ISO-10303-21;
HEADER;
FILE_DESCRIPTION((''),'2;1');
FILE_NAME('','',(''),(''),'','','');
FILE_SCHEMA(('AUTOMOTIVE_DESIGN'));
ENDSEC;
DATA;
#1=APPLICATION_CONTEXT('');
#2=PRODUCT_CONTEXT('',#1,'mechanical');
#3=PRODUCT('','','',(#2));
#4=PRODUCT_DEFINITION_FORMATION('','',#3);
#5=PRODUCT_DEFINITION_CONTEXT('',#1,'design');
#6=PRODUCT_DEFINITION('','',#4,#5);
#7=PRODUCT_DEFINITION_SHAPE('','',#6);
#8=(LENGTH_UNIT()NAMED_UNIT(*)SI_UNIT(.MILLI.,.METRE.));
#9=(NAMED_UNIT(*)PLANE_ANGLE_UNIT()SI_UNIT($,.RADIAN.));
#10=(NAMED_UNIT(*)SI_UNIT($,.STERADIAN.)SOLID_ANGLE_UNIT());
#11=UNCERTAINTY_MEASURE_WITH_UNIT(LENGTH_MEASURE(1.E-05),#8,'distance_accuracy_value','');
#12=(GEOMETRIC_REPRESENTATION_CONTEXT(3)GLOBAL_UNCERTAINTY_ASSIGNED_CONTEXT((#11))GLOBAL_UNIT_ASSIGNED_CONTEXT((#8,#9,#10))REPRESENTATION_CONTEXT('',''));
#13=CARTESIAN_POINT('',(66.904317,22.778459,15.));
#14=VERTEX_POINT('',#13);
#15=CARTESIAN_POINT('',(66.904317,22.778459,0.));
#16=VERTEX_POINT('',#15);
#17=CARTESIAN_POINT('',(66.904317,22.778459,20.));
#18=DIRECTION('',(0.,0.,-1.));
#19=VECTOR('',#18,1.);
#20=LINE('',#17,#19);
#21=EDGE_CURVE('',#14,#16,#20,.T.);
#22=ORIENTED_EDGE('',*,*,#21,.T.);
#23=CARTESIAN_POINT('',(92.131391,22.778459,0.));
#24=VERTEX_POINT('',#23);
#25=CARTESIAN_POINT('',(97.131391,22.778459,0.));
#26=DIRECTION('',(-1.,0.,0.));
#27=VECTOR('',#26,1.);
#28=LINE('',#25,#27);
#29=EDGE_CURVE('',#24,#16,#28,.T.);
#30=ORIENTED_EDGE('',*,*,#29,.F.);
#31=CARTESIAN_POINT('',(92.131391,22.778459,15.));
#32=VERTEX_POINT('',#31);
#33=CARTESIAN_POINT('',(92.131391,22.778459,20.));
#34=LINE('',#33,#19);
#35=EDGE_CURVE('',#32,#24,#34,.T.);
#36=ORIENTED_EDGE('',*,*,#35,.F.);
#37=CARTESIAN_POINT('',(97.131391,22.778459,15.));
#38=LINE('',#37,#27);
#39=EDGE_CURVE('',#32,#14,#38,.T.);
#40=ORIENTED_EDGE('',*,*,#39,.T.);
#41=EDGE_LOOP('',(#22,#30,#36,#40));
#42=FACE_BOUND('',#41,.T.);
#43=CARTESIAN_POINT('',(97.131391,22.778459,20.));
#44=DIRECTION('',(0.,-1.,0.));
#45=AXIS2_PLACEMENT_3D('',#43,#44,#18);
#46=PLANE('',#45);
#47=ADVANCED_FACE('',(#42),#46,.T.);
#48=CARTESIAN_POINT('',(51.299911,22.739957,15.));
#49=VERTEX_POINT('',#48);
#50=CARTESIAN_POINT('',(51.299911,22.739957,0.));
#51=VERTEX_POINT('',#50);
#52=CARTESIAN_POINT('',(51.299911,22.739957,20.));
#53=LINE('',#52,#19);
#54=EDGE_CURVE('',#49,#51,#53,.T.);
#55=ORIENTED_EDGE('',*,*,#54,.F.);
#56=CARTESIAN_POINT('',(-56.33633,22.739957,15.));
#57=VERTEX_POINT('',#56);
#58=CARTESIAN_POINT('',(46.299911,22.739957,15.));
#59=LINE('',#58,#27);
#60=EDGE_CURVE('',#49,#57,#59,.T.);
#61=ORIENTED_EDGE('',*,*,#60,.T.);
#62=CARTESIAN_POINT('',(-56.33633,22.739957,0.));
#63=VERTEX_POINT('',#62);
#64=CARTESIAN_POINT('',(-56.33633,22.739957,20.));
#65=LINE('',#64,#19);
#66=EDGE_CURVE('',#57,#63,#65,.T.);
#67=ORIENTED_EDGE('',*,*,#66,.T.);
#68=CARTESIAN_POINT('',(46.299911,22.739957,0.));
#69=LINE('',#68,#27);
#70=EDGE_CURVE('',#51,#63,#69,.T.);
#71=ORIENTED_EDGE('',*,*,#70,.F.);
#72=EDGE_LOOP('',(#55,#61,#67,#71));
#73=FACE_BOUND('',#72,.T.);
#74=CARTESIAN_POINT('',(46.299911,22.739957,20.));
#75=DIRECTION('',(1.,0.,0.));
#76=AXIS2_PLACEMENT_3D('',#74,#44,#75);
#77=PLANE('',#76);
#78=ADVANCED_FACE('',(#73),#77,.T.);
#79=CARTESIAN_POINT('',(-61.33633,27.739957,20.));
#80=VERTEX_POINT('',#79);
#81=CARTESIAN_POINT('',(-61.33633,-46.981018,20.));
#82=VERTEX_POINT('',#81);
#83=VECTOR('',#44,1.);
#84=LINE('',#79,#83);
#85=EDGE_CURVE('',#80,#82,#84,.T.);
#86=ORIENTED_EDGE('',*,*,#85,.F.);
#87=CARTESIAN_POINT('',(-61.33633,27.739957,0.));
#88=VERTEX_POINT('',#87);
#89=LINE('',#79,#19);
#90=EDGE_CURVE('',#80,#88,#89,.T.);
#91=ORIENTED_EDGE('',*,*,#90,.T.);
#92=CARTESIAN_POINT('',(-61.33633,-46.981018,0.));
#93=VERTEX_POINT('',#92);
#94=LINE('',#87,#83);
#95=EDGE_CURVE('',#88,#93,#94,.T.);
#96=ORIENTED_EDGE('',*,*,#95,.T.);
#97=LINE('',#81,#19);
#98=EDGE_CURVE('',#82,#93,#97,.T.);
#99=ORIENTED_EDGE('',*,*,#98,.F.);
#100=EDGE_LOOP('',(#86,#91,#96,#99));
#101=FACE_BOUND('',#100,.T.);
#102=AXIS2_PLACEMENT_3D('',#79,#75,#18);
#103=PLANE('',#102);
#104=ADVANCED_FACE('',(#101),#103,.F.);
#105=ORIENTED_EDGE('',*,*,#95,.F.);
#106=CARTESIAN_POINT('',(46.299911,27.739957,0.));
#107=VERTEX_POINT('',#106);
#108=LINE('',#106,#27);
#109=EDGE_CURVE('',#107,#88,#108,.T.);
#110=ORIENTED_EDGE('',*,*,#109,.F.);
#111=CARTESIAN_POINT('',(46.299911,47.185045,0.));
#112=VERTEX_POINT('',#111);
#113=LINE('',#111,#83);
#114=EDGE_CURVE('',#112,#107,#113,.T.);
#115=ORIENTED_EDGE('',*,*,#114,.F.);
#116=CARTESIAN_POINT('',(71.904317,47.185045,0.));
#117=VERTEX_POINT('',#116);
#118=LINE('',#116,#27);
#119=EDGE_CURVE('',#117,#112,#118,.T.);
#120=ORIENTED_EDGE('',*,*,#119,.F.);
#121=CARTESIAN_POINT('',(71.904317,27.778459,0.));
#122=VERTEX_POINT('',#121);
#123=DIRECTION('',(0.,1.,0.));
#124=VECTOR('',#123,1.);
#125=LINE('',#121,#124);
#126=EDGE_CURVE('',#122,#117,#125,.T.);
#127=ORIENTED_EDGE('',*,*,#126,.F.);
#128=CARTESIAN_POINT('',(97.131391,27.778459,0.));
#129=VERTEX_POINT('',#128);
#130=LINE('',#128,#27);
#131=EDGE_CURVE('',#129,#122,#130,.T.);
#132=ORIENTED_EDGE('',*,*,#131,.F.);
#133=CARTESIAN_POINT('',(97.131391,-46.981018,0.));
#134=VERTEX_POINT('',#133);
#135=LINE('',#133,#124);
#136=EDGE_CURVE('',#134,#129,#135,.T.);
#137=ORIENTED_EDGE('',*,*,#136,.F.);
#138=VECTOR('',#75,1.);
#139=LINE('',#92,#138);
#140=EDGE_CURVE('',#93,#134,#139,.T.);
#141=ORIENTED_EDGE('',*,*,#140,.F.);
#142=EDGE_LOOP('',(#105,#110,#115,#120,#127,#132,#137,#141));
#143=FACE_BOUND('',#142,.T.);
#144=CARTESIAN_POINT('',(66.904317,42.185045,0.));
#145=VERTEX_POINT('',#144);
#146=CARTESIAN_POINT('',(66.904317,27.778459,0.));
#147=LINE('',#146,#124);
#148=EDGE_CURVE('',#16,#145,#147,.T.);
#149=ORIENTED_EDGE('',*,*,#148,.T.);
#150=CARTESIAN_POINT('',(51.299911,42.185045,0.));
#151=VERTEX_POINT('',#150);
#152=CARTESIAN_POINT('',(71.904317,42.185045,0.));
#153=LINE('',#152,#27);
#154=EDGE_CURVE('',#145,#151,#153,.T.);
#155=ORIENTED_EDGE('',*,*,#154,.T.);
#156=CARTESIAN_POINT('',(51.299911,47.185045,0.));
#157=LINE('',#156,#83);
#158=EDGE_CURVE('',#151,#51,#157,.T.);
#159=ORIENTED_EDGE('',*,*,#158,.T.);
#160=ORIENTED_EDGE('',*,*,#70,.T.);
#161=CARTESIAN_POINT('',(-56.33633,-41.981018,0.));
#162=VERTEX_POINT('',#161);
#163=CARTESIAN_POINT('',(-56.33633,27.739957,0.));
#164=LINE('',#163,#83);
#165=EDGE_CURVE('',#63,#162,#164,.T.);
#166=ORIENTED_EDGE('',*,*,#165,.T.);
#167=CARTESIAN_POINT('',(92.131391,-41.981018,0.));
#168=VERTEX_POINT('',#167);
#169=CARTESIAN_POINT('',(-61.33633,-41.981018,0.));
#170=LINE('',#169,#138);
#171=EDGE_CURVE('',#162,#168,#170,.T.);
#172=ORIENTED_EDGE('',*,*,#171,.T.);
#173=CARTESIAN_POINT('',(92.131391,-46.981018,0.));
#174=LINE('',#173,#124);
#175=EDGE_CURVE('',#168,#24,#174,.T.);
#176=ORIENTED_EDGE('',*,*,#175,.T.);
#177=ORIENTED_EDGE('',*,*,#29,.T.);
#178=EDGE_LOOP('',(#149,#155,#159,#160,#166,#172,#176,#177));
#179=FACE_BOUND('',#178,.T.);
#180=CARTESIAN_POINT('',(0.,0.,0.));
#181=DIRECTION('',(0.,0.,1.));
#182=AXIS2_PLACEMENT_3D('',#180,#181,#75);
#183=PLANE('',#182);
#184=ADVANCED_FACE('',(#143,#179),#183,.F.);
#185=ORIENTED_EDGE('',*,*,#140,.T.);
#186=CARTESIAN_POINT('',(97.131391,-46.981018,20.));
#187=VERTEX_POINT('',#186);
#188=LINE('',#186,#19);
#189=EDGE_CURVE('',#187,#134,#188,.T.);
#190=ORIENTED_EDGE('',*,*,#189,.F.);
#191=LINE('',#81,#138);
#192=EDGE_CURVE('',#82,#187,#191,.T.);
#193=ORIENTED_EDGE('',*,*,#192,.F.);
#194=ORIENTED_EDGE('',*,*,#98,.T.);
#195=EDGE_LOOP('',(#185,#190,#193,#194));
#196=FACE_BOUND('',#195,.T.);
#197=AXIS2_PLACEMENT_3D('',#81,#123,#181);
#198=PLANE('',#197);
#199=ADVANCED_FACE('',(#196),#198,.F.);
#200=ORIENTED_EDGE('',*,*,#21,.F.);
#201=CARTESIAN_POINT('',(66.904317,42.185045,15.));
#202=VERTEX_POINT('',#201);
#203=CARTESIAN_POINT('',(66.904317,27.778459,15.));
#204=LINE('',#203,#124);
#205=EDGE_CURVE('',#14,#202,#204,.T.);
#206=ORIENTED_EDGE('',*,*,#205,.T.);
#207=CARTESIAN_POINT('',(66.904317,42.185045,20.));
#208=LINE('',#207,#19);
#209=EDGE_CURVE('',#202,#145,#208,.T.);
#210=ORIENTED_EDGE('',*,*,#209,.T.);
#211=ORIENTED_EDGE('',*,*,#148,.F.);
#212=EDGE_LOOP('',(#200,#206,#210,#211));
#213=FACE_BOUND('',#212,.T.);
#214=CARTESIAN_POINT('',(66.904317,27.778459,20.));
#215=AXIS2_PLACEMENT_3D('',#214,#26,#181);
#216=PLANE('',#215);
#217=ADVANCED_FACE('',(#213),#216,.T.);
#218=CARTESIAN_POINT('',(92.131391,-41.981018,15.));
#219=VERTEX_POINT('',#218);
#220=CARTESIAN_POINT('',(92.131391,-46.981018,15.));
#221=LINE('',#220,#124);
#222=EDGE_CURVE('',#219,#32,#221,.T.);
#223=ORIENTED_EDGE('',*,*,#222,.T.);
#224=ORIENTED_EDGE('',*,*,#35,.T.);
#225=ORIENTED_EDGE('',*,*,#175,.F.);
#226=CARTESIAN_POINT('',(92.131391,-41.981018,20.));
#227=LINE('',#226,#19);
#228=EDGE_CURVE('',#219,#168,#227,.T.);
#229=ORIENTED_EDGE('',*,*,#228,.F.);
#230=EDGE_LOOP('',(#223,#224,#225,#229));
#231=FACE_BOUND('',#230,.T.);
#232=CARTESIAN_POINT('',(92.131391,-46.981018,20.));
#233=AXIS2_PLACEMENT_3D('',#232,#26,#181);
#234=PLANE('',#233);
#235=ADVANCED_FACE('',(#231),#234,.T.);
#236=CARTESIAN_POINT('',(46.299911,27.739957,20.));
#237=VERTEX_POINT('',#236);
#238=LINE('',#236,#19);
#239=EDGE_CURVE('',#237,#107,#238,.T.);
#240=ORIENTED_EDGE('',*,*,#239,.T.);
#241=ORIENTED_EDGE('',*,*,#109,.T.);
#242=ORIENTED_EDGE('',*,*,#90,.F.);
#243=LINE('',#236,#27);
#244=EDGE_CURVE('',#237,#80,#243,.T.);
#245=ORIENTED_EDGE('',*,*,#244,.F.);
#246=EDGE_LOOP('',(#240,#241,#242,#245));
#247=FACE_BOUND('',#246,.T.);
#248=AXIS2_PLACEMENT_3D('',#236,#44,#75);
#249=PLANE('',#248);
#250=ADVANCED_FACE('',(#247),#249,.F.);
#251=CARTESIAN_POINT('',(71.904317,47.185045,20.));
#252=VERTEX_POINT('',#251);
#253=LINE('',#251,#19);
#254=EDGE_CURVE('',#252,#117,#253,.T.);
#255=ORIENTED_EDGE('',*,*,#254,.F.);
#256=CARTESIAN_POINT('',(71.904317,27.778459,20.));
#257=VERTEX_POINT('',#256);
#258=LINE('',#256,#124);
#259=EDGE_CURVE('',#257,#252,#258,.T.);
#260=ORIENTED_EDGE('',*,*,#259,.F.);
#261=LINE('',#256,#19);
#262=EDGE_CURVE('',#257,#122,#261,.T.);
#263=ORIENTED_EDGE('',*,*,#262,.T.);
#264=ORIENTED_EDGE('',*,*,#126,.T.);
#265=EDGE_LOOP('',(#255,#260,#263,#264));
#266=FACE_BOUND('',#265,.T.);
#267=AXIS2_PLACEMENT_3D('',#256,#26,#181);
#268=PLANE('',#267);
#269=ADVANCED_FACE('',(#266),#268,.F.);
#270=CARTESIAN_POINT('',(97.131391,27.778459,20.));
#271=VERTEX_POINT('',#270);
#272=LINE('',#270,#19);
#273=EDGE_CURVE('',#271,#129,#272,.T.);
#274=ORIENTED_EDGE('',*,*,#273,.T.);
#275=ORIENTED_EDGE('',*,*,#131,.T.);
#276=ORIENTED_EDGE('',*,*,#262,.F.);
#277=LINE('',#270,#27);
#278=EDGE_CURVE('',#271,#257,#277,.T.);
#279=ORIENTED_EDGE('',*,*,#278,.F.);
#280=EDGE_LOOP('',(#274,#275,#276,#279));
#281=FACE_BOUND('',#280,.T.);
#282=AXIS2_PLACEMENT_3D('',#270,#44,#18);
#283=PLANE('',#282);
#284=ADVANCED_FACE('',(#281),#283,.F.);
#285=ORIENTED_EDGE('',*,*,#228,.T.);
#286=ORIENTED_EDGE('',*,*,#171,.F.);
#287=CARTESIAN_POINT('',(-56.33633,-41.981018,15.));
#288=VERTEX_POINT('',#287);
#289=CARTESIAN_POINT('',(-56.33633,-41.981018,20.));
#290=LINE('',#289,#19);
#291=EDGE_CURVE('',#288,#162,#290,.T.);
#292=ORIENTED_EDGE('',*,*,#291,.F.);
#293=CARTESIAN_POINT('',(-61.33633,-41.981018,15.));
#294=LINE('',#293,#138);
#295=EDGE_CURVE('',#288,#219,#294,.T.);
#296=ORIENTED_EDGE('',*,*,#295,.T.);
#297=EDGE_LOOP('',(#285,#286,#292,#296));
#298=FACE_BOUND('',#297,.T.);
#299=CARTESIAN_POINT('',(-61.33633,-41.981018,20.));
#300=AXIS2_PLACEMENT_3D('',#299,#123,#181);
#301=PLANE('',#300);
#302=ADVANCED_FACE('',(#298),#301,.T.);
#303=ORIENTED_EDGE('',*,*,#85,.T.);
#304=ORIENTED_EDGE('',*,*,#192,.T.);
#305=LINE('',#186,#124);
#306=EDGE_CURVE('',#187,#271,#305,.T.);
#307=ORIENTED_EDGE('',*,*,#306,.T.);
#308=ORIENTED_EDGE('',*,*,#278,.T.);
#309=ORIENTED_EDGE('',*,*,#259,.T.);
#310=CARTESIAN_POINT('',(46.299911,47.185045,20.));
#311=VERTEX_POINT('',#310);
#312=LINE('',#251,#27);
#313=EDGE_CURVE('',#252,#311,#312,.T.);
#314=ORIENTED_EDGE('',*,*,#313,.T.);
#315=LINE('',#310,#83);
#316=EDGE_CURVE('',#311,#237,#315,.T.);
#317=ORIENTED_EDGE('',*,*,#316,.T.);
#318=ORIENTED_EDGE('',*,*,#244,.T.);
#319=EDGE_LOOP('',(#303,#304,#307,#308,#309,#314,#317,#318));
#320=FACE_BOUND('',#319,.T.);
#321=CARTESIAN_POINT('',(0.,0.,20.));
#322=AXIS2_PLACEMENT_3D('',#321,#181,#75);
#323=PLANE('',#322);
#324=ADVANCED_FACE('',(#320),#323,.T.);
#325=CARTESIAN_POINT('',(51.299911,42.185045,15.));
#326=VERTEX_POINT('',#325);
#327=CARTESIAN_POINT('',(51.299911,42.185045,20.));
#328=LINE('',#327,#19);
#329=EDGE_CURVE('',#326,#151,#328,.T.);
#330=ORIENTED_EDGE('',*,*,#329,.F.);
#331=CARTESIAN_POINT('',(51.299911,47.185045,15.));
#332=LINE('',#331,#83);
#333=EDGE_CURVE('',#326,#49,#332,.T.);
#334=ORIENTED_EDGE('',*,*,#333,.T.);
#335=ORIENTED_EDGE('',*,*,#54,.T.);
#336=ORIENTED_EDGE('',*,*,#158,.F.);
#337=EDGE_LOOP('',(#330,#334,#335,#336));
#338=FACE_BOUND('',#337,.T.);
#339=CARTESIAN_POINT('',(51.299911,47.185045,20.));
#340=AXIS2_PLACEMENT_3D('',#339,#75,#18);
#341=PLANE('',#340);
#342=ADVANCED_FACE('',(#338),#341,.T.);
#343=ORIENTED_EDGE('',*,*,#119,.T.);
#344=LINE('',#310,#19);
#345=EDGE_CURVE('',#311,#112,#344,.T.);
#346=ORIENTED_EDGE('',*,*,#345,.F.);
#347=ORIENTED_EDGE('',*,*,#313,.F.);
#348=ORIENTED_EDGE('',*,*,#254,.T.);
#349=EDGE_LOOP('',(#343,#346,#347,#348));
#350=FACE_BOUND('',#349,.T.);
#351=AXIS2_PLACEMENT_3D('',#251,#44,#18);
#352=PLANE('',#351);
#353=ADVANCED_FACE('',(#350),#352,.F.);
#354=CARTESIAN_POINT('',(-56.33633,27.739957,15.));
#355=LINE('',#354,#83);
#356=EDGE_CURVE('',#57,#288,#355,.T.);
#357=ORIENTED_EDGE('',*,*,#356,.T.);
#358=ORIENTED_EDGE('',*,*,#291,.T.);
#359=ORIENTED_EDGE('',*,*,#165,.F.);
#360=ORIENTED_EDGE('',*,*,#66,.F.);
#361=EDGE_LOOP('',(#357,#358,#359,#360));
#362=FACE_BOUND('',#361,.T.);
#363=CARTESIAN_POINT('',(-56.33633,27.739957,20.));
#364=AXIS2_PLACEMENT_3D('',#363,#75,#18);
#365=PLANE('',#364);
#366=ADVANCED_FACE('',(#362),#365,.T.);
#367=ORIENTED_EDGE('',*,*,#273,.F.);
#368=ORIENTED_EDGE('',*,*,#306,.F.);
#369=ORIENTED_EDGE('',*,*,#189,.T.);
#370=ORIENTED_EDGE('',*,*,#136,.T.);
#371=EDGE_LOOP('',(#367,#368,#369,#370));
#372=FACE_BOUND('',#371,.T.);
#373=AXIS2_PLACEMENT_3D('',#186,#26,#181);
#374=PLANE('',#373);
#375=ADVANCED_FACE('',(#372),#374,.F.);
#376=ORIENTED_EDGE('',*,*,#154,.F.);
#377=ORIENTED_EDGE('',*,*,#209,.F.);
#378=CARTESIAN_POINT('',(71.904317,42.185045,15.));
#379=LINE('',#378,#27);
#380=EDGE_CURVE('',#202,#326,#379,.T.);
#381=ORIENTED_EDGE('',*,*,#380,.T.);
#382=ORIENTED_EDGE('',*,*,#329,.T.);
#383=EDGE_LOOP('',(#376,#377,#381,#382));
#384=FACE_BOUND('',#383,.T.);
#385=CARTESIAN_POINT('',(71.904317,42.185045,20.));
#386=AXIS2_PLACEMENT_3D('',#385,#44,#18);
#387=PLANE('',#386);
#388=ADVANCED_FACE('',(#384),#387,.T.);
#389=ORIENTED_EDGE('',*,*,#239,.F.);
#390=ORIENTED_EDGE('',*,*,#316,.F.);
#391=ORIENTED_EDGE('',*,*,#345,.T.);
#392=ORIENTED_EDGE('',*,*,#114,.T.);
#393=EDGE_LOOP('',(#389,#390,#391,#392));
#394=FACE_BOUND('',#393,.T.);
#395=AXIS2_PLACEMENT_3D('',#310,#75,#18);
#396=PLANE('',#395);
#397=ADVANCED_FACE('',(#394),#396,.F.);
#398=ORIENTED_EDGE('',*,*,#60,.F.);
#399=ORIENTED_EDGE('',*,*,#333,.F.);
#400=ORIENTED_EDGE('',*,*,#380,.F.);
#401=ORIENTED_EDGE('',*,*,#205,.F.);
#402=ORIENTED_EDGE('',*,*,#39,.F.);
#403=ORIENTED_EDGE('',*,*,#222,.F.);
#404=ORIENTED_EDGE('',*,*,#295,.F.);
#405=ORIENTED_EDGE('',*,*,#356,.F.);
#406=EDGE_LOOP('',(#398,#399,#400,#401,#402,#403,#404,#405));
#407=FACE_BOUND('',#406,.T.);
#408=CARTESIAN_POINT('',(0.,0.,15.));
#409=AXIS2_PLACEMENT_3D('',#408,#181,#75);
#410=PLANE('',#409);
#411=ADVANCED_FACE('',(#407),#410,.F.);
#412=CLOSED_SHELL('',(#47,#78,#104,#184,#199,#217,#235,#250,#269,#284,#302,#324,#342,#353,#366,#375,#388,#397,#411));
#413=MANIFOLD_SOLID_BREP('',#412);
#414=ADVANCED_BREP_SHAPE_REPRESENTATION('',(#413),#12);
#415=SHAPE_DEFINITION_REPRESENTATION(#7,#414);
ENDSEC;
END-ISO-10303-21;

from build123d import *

# Parameters (mm, degrees)
BOSS_EXTRUDE1_DEPTH = 20
SHELL1_T            = -5


with BuildPart() as part:
    # Sketch2 → Boss-Extrude1 (new body)
    with BuildSketch(Plane.XY):
        Polygon((-61.336329504, -46.981018343), (97.131391098, -46.981018343), (97.131391098, 27.778459258), (71.904316974, 27.778459258), (71.904316974, 47.185045125), (46.299911218, 47.185045125), (46.299911218, 27.739957348), (-61.336329504, 27.739957348), align=None)
    extrude(amount=BOSS_EXTRUDE1_DEPTH)

    # Shell1
    shell1_openings = [part.faces().sort_by_distance(p)[0] for p in [
        (19.565287633, -7.717892988, 0),
    ]]
    offset(amount=SHELL1_T, openings=shell1_openings, kind=Kind.INTERSECTION)


solid = part.part
